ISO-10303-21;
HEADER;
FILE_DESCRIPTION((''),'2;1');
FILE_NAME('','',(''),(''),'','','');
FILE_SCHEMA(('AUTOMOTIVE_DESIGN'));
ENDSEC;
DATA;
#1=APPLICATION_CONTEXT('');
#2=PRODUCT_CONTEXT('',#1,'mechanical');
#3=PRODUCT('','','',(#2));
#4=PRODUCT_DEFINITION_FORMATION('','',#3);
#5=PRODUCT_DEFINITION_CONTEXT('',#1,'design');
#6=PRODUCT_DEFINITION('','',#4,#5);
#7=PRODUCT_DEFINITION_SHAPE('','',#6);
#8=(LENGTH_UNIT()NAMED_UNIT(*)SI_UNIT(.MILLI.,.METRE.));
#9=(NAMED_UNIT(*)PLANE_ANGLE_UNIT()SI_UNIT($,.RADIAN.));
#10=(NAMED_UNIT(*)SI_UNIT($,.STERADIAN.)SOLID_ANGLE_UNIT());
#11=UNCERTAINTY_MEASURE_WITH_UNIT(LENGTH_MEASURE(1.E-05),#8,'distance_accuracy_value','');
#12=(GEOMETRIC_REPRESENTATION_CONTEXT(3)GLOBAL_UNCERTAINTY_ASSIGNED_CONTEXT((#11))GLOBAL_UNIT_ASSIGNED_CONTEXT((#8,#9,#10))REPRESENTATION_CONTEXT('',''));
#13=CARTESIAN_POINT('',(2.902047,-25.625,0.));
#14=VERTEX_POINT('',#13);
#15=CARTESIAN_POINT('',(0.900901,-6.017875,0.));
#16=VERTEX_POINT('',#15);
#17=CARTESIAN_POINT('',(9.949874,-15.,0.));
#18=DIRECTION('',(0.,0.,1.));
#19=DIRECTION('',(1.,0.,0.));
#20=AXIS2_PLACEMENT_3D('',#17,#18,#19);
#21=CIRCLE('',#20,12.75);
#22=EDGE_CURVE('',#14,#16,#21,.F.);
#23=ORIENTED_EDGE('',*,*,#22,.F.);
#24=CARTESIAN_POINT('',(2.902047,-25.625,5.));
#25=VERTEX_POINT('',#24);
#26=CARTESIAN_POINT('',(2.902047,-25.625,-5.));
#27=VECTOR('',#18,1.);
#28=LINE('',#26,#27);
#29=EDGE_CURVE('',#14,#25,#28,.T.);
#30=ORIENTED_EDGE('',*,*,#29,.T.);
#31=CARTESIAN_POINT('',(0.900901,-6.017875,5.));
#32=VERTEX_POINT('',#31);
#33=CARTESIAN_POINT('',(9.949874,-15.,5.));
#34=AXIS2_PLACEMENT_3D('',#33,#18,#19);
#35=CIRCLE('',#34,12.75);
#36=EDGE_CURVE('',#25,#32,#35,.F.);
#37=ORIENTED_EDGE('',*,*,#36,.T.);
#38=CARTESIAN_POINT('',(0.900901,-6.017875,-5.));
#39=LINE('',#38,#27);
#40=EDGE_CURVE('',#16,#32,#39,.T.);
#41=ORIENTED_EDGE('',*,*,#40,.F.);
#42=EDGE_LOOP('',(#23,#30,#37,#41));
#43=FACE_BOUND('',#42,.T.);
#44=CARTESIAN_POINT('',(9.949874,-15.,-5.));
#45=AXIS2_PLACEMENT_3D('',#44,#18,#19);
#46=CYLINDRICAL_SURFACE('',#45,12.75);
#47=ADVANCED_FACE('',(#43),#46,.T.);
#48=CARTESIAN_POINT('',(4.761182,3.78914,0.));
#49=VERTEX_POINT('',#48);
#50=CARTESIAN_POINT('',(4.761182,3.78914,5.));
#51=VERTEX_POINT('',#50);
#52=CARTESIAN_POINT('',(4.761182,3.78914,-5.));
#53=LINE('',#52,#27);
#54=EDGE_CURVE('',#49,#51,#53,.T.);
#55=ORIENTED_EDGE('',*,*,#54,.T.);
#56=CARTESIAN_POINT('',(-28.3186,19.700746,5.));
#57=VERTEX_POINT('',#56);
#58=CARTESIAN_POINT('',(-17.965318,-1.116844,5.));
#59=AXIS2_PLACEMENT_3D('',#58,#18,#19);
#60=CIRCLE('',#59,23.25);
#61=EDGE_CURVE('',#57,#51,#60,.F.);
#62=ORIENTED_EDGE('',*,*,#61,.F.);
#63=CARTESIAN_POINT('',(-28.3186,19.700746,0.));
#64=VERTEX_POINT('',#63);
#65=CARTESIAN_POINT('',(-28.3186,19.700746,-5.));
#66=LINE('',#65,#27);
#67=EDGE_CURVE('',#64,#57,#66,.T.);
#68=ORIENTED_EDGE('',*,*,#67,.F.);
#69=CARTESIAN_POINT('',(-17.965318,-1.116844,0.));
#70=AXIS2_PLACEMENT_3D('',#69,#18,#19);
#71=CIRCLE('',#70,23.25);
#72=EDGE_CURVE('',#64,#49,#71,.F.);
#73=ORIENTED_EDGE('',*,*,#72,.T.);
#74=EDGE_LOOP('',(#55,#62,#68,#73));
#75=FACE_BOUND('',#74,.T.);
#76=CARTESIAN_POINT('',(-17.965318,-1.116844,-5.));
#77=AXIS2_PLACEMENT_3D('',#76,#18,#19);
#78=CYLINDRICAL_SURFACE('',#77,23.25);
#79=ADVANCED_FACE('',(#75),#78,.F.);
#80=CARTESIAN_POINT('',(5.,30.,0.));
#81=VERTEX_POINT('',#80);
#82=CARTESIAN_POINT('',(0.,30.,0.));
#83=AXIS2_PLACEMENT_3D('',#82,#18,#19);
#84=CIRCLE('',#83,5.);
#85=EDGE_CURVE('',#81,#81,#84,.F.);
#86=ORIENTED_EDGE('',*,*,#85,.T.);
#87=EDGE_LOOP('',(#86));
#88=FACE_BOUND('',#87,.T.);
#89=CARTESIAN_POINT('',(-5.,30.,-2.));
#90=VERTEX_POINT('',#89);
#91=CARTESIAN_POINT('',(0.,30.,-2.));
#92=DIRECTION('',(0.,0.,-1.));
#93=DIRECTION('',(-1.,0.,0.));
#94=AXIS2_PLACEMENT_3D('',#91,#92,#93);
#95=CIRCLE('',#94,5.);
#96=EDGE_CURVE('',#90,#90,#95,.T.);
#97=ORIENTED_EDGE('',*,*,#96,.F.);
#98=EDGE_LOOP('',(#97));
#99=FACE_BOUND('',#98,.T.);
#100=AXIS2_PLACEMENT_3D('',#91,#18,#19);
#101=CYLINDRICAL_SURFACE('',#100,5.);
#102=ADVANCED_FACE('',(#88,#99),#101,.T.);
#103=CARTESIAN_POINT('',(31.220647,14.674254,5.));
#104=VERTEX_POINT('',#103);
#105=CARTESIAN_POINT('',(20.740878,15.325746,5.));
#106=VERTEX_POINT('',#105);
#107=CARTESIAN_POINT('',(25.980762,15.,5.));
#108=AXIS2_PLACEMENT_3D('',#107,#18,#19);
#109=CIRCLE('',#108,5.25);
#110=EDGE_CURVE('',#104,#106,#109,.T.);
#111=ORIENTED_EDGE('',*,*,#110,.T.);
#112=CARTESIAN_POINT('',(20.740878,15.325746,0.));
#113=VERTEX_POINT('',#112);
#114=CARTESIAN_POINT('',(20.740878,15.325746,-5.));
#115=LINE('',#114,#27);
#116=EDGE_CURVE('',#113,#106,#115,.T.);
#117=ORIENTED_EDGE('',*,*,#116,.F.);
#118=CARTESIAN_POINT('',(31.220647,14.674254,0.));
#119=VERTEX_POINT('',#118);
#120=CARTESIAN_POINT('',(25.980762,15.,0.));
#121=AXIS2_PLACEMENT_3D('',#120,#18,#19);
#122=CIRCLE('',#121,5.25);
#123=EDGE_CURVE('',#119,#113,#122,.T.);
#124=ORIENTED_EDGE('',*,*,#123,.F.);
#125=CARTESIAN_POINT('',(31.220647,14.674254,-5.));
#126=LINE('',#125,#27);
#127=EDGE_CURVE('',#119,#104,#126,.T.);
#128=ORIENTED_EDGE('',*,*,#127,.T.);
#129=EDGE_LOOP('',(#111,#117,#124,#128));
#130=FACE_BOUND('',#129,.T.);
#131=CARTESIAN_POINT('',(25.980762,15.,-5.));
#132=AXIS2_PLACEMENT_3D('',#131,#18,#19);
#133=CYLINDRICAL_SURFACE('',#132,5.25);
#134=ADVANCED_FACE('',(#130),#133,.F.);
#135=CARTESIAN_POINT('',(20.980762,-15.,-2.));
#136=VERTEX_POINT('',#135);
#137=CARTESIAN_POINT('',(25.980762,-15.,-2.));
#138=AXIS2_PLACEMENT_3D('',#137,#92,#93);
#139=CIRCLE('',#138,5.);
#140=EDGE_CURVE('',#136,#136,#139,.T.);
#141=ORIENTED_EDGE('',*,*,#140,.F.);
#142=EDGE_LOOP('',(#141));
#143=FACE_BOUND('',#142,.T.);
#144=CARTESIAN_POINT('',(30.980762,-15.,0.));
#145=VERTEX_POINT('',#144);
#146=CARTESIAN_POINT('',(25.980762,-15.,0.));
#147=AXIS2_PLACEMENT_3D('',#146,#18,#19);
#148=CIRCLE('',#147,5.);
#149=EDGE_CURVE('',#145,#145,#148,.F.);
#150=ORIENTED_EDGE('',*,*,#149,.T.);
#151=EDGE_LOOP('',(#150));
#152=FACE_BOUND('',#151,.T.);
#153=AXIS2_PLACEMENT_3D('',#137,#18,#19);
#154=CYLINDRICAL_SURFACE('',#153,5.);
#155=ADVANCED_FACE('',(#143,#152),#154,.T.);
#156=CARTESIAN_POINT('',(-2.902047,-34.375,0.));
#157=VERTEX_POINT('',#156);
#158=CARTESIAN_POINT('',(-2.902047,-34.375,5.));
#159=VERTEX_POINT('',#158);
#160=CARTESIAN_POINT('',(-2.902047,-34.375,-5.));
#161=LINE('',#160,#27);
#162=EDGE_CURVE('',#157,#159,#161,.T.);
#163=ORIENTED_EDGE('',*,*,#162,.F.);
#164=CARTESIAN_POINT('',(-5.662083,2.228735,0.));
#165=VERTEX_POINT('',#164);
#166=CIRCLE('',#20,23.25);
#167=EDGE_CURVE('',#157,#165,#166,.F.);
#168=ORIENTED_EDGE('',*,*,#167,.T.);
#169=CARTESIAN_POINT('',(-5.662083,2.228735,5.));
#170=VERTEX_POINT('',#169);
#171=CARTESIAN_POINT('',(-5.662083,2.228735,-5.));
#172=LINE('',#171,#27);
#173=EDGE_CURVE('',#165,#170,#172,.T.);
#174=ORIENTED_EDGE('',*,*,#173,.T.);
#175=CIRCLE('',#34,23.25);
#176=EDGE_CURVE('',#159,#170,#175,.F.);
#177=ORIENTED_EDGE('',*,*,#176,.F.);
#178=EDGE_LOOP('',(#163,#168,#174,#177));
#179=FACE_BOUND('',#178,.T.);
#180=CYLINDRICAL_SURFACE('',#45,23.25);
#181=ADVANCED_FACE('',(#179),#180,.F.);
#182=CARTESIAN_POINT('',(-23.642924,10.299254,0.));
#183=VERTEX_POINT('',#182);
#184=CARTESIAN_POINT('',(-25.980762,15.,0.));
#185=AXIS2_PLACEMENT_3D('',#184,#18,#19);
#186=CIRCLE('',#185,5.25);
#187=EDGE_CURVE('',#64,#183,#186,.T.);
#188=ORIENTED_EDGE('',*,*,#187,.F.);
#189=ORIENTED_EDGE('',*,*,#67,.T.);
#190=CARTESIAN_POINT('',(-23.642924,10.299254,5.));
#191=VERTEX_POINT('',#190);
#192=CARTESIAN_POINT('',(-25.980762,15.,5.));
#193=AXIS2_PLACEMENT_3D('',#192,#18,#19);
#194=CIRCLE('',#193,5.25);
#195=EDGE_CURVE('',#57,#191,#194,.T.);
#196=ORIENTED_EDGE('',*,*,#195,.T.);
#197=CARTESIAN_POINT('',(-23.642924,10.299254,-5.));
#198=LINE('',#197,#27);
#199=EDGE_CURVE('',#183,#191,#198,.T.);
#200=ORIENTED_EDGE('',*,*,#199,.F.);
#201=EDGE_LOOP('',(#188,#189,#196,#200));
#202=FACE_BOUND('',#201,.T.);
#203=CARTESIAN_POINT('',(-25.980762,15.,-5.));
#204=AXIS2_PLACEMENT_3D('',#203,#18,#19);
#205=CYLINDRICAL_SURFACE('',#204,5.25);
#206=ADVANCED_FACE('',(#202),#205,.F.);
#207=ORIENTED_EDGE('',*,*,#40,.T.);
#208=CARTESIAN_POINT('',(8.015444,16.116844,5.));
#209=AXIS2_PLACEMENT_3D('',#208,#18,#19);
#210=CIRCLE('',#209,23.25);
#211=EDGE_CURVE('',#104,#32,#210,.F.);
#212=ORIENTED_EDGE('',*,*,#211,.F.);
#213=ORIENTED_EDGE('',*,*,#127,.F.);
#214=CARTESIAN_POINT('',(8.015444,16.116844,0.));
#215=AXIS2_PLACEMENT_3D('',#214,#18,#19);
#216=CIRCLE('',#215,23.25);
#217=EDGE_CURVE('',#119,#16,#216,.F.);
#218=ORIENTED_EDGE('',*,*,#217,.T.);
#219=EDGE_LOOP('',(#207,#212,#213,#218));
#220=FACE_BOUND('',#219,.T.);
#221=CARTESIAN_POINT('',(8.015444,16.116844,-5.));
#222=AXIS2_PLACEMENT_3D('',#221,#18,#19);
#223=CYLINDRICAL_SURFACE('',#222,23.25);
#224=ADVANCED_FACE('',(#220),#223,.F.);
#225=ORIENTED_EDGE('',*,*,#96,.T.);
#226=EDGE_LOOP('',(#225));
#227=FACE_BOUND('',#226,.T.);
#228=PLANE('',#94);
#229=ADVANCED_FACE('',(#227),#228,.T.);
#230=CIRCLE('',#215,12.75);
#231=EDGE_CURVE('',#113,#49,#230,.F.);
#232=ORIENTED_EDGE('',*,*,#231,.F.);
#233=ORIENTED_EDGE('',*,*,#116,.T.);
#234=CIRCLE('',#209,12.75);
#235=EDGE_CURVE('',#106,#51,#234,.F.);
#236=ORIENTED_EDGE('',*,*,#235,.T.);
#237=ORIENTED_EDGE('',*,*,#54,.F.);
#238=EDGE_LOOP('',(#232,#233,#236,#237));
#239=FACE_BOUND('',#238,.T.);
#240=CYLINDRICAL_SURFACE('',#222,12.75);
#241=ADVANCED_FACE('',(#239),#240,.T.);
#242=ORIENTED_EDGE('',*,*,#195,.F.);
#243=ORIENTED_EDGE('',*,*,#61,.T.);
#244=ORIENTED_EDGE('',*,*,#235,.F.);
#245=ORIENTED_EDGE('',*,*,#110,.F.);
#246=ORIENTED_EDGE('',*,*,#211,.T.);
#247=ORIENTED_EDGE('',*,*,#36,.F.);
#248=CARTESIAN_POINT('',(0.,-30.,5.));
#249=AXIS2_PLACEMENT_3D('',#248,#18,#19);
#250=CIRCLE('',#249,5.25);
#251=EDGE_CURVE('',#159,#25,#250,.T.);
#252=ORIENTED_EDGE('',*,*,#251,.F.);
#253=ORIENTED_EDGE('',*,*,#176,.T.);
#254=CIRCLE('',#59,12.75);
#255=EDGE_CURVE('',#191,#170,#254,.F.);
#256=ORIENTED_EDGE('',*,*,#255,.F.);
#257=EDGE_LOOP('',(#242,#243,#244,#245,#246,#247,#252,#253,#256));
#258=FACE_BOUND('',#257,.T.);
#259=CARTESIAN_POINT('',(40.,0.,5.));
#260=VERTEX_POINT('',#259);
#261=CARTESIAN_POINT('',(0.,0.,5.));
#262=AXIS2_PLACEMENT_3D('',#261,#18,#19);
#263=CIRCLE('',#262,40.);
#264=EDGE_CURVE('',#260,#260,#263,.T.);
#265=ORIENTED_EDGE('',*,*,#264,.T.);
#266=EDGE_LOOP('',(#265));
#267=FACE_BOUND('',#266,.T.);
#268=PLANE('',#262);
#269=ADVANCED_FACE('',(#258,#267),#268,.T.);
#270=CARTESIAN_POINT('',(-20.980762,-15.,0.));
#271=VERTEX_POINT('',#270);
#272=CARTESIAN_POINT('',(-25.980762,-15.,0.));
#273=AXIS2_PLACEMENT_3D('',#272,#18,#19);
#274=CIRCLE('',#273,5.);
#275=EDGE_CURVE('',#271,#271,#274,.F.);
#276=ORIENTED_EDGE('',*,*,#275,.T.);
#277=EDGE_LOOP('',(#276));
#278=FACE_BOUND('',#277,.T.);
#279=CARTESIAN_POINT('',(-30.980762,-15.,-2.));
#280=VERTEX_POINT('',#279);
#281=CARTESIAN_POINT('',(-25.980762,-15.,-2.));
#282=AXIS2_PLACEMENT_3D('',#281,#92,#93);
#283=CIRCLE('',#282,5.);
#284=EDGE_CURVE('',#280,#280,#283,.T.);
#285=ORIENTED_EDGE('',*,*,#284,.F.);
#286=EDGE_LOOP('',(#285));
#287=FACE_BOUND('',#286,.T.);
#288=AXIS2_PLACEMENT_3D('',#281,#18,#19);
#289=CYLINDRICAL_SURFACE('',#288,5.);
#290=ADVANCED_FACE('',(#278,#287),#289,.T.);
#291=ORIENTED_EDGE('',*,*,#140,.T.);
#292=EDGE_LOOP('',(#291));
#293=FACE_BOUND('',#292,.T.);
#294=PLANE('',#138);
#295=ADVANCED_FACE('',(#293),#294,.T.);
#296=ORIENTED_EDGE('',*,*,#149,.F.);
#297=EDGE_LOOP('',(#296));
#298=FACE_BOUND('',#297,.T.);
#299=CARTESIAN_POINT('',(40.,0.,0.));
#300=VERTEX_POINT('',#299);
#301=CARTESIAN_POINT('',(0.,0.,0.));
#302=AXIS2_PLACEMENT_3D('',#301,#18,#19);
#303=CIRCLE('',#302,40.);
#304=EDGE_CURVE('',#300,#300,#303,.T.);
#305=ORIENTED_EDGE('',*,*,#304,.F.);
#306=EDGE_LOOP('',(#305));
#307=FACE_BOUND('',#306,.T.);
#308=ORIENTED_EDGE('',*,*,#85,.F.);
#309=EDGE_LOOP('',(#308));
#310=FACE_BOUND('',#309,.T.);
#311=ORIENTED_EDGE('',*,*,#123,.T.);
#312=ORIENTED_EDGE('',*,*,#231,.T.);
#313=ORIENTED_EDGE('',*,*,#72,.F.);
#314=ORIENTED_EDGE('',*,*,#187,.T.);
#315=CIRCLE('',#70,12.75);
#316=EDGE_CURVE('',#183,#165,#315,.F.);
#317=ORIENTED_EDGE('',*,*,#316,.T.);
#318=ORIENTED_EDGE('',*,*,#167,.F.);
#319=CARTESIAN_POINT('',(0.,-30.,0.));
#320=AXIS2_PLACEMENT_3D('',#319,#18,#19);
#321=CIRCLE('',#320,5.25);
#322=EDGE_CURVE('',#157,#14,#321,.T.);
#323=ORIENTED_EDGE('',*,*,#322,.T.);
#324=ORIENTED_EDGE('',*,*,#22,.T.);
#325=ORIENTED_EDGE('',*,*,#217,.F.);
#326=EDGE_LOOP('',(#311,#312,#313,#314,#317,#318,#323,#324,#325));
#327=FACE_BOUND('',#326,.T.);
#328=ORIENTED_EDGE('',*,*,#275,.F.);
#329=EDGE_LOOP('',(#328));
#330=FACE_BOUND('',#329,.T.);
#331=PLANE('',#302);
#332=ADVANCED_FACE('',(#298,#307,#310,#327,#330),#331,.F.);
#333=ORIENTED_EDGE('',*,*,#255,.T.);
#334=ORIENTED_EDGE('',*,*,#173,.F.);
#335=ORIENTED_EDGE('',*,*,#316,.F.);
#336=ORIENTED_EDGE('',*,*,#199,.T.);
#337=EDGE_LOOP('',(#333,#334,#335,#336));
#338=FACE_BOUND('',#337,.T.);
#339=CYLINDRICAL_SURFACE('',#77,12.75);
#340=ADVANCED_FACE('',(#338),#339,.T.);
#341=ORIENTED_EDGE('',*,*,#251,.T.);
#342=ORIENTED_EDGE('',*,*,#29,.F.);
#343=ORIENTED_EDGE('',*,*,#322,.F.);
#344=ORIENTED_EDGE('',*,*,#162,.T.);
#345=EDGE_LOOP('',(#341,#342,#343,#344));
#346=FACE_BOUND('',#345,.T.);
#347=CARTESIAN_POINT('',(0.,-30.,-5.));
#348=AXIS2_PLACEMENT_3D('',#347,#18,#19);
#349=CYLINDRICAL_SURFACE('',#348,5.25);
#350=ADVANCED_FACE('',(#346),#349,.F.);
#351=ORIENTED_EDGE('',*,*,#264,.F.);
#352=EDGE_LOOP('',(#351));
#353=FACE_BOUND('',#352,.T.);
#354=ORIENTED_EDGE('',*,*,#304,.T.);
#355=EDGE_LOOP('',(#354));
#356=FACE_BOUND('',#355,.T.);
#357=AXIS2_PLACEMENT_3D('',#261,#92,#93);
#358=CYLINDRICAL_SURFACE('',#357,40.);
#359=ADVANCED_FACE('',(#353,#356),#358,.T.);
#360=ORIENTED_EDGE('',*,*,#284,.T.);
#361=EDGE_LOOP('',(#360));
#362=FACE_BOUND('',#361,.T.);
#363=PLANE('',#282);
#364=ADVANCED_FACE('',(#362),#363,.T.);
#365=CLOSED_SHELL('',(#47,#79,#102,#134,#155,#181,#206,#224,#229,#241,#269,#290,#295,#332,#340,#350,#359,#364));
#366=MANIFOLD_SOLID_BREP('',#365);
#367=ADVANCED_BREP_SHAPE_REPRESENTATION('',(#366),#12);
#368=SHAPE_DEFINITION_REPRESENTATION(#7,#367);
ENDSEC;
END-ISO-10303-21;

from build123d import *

# Parameters (mm, degrees)
CROQUIS1_R              = 40
DISCO_DEPTH             = 5
CORTAR_EXTRUIR1_DEPTH   = 10
CROQUIS7_R              = 5
SALIENTE_EXTRUIR2_DEPTH = 2


with BuildPart() as part:
    # Croquis1 → Disco (new body)
    with BuildSketch(Plane.XY):
        Circle(CROQUIS1_R)
    extrude(amount=DISCO_DEPTH)

    # Croquis6 → Cortar-Extruir1 (cut)
    with BuildSketch(Plane.XY.offset(5)):
        with BuildLine():
            ThreePointArc((20.740877626, 15.325746158), (15.478626449, 5.779368175), (4.761182136, 3.789140187))
            ThreePointArc((4.761182136, 3.789140187), (-7.887176724, 19.835329272), (-28.318599909, 19.700746158))
            ThreePointArc((-28.318599909, 19.700746158), (-30.681508271, 12.662162204), (-23.642924318, 10.299253842))
            ThreePointArc((-23.642924318, 10.299253842), (-12.744392882, 10.515199633), (-5.662082728, 2.228734589))
            ThreePointArc((-5.662082728, 2.228734589), (-13.23431068, -16.748160043), (-2.902046692, -34.375))
            ThreePointArc((-2.902046692, -34.375), (4.375, -32.902046692), (2.902046692, -25.625))
            ThreePointArc((2.902046692, -25.625), (-2.734233567, -16.294567808), (0.900900592, -6.017874775))
            ThreePointArc((0.900900592, -6.017874775), (21.121487404, -3.087169229), (31.220646601, 14.674253842))
            ThreePointArc((31.220646601, 14.674253842), (26.306508271, 20.239884487), (20.740877626, 15.325746158))
        make_face()
    extrude(amount=-CORTAR_EXTRUIR1_DEPTH, mode=Mode.SUBTRACT)

    # Croquis7 → Saliente-Extruir2 (add)
    with BuildSketch(Plane(origin=(0, 0, 0), x_dir=(-1, 0, 0), z_dir=(0, 0, -1))):
        with Locations(Location((0, 30, 0), (0, 0, 180))):
            Circle(CROQUIS7_R)
        with Locations(Location((25.980762114, -15, 0), (0, 0, 180))):
            Circle(CROQUIS7_R)
        with Locations(Location((-25.980762114, -15, 0), (0, 0, 180))):
            Circle(CROQUIS7_R)
    extrude(amount=SALIENTE_EXTRUIR2_DEPTH)


solid = part.part
